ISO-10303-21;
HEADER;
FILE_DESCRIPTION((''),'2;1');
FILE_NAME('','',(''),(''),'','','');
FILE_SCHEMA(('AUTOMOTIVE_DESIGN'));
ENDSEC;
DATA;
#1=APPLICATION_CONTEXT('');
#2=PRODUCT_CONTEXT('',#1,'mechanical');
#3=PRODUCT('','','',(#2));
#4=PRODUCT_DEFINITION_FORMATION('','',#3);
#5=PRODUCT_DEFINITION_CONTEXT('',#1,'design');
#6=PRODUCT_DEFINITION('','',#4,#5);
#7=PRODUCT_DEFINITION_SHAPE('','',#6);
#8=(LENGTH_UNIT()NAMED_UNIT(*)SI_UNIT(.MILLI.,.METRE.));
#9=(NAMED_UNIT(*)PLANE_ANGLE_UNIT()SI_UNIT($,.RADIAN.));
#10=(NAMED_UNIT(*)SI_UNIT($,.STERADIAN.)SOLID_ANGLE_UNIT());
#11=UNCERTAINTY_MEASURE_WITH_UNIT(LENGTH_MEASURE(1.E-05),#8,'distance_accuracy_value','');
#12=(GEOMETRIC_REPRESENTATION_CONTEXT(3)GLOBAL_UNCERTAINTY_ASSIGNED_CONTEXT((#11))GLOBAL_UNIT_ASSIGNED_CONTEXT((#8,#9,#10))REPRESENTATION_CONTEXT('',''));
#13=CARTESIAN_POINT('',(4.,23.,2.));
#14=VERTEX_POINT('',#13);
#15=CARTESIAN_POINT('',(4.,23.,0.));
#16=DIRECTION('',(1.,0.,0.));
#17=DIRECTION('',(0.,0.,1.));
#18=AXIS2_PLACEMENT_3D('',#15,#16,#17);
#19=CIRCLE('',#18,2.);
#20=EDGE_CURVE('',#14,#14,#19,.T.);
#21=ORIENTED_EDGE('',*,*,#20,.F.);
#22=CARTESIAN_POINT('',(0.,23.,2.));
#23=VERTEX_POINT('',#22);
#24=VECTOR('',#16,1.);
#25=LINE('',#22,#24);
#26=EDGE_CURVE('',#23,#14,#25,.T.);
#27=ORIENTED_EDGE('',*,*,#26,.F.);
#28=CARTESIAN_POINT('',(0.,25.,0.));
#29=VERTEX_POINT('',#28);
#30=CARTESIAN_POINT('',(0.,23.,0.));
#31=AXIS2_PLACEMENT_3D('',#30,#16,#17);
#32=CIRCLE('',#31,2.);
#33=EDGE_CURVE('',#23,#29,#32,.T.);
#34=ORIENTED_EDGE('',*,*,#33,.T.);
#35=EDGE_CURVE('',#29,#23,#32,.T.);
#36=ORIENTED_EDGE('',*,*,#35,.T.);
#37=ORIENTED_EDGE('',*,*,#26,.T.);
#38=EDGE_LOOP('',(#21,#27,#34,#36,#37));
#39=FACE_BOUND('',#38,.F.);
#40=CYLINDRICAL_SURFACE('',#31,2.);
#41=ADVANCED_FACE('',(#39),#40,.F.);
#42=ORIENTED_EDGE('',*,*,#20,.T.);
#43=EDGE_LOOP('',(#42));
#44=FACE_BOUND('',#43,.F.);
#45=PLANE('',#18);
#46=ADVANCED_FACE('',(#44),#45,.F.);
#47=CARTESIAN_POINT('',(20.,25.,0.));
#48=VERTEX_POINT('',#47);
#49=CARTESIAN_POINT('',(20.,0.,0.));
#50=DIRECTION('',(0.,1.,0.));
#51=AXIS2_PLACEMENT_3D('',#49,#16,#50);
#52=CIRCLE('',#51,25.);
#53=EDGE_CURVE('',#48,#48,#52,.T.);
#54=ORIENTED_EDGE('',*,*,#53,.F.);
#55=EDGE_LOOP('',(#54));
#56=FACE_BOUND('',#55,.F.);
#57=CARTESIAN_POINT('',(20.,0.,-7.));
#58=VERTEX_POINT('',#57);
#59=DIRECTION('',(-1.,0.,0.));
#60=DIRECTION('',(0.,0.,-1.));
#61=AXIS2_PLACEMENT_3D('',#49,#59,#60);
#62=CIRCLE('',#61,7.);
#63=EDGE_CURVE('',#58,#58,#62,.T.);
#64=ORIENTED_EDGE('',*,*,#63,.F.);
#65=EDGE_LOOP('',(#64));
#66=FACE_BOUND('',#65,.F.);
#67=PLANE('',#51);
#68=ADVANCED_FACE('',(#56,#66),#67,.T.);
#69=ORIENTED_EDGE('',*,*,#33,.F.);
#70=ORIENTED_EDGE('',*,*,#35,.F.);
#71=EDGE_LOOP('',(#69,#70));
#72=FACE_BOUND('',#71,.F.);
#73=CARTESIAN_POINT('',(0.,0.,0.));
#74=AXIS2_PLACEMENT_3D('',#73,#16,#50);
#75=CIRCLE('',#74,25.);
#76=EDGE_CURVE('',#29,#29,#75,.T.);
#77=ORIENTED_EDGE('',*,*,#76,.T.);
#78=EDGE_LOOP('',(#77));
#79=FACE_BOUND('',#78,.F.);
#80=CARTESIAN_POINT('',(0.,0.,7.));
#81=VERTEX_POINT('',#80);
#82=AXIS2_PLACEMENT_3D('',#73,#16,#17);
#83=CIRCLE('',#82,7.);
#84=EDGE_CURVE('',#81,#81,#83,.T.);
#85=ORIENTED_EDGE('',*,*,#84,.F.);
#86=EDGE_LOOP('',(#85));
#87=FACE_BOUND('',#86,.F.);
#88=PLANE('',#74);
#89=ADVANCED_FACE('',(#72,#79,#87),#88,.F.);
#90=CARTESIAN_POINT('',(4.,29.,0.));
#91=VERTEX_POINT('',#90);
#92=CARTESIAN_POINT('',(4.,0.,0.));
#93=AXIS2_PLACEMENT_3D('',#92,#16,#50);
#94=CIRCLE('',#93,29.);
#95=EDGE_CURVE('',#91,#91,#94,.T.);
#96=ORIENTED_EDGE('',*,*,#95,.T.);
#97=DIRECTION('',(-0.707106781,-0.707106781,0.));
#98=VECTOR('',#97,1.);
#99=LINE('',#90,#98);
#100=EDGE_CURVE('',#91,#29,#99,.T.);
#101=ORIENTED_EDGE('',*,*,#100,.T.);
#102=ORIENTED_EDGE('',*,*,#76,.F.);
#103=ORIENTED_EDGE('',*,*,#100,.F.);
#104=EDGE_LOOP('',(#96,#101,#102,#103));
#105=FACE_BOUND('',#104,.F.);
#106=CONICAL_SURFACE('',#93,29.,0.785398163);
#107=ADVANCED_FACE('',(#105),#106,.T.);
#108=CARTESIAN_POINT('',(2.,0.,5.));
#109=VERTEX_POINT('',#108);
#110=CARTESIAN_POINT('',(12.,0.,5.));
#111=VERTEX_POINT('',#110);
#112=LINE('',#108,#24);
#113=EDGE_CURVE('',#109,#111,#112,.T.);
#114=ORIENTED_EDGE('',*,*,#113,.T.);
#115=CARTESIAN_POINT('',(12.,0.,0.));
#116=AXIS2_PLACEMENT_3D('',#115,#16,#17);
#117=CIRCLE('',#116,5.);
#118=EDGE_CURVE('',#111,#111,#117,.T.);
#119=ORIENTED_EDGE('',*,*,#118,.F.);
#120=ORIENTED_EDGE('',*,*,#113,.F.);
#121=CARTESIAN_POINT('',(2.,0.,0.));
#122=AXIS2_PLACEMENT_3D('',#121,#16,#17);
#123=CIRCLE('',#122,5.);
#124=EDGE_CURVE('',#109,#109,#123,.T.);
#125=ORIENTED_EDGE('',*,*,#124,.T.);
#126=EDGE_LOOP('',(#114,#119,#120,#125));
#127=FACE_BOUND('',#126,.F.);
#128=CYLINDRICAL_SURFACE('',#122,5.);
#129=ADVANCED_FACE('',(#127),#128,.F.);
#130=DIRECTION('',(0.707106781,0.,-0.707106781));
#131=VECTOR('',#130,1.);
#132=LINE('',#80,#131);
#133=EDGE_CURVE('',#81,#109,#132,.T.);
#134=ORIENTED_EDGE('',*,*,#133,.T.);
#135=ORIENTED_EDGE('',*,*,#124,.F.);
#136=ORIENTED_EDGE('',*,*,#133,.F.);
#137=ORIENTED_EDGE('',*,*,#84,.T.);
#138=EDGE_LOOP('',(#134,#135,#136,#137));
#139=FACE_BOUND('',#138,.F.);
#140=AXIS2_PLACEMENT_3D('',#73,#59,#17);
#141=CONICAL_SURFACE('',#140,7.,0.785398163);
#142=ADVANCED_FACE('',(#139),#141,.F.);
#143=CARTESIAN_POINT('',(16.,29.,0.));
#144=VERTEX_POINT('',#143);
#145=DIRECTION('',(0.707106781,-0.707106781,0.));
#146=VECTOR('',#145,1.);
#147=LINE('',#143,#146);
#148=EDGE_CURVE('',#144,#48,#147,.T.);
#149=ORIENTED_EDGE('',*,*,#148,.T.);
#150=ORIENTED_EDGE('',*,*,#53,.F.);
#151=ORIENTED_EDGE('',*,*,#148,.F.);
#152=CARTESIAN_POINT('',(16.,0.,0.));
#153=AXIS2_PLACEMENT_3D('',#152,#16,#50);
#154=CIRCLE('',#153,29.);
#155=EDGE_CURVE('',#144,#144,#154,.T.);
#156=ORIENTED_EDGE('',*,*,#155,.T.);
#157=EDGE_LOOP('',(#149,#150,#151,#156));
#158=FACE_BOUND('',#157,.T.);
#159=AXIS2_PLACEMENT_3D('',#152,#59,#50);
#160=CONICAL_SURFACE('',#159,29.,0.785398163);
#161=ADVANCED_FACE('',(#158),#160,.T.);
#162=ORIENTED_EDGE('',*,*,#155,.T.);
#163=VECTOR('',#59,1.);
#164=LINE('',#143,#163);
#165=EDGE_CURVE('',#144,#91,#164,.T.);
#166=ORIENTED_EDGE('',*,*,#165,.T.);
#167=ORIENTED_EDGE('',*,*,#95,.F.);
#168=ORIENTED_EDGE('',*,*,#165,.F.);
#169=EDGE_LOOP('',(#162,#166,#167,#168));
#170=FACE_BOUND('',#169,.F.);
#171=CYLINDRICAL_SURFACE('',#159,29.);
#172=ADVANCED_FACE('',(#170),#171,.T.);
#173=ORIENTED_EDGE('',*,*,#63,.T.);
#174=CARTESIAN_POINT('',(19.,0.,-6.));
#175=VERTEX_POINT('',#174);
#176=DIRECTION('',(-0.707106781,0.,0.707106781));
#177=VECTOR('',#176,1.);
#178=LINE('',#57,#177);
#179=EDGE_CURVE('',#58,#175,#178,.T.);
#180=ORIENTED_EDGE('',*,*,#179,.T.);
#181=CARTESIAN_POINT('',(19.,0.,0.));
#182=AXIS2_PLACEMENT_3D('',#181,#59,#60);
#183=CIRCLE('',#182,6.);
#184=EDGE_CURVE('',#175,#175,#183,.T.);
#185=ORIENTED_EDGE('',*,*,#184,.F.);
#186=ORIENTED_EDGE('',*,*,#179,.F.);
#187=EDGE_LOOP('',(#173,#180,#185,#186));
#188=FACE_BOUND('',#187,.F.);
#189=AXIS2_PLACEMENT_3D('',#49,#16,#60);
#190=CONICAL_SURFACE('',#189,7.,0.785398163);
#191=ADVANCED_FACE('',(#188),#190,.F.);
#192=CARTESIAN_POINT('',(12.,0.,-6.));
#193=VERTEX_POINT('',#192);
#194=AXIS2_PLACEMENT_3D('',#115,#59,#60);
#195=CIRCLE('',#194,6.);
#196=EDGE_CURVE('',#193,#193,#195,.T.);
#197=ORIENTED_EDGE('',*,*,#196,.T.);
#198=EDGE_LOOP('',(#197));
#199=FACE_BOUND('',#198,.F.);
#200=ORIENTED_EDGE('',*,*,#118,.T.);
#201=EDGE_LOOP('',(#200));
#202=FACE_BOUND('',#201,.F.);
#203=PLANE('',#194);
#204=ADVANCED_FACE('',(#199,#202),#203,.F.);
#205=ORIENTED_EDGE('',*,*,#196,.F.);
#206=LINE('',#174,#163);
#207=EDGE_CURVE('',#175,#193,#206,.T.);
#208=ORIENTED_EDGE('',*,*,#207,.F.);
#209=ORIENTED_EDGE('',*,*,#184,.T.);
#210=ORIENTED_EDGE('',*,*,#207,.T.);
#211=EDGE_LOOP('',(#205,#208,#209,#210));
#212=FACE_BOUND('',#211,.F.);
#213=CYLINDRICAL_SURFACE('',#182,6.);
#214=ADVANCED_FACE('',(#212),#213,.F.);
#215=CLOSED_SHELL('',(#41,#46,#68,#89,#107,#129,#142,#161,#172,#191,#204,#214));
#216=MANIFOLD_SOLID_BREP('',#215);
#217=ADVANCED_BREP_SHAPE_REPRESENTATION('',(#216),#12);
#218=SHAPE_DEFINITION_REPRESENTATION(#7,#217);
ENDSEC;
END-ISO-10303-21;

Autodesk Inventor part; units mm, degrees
ref_plane "YZ Plane" through (0, 0, 0) normal (1, 0, 0) x (0, 1, 0)
ref_plane "XZ Plane" through (0, 0, 0) normal (0, 1, 0) x (-1, 0, 0)
ref_plane "XY Plane" through (0, 0, 0) normal (0, 0, 1) x (1, 0, 0)
sketch "Эскиз4" plane through (0, 0, 0) normal (0, 0, 1) x (1, 0, 0)
  line L0 (0, 0) -> (20, 0)
  line L1 (20, 0) -> (20, 25)
  line L2 (16, 29) -> (4, 29)
  line L3 (0, 25) -> (0, 0)
  line L4 (4, 29) -> (0, 25)
  line L5 (16, 29) -> (20, 25)
  point P0 (20, 29)
  point P1 (0, 29)
  dimension "d33" = 20
  dimension "d34" = 29
  dimension "d35" = 4
  dimension "d36" = 4
  dimension "d37" = 4
  dimension "d38" = 4
revolve "Вращение3" add sketch "Эскиз4" angle 360 about axis through (0, 0, 0) along (1, 0, 0)
sketch "Эскиз5" plane through (20, 0, 0) normal (1, 0, 0) x (0, 0, -1)
  point P0 (0, 0)
  point P1 (0, 0)
hole "Отверстие2" at (20, 0, 0) direction (-1, 0, 0) diameter 12 depth 8 countersink diameter 14 countersink angle 90
sketch "Эскиз6" plane through (0, 0, 0) normal (-1, 0, 0) x (0, 0, 1)
  point P0 (0, 0)
  point P1 (0, 0)
hole "Отверстие3" at (0, 0, 0) direction (1, 0, 0) diameter 10 depth 12 countersink diameter 14 countersink angle 90
sketch "Эскиз7" plane through (0, 0, 0) normal (-1, 0, 0) x (0, 0, 1)
  line L0 (0, 0) -> (0, 23) construction
  dimension "d54" = 23
hole "Отверстие4" at (0, 23, 0) direction (1, 0, 0) diameter 4 depth 4
thread "Резьба3" size "M12x1.75" class "6H" standard "ANSI Metric M Profile" full length
equation "\"d36\" = d35"
equation "\"d37\" = d35"
equation "\"d38\" = d37"
properties part number "711135"
